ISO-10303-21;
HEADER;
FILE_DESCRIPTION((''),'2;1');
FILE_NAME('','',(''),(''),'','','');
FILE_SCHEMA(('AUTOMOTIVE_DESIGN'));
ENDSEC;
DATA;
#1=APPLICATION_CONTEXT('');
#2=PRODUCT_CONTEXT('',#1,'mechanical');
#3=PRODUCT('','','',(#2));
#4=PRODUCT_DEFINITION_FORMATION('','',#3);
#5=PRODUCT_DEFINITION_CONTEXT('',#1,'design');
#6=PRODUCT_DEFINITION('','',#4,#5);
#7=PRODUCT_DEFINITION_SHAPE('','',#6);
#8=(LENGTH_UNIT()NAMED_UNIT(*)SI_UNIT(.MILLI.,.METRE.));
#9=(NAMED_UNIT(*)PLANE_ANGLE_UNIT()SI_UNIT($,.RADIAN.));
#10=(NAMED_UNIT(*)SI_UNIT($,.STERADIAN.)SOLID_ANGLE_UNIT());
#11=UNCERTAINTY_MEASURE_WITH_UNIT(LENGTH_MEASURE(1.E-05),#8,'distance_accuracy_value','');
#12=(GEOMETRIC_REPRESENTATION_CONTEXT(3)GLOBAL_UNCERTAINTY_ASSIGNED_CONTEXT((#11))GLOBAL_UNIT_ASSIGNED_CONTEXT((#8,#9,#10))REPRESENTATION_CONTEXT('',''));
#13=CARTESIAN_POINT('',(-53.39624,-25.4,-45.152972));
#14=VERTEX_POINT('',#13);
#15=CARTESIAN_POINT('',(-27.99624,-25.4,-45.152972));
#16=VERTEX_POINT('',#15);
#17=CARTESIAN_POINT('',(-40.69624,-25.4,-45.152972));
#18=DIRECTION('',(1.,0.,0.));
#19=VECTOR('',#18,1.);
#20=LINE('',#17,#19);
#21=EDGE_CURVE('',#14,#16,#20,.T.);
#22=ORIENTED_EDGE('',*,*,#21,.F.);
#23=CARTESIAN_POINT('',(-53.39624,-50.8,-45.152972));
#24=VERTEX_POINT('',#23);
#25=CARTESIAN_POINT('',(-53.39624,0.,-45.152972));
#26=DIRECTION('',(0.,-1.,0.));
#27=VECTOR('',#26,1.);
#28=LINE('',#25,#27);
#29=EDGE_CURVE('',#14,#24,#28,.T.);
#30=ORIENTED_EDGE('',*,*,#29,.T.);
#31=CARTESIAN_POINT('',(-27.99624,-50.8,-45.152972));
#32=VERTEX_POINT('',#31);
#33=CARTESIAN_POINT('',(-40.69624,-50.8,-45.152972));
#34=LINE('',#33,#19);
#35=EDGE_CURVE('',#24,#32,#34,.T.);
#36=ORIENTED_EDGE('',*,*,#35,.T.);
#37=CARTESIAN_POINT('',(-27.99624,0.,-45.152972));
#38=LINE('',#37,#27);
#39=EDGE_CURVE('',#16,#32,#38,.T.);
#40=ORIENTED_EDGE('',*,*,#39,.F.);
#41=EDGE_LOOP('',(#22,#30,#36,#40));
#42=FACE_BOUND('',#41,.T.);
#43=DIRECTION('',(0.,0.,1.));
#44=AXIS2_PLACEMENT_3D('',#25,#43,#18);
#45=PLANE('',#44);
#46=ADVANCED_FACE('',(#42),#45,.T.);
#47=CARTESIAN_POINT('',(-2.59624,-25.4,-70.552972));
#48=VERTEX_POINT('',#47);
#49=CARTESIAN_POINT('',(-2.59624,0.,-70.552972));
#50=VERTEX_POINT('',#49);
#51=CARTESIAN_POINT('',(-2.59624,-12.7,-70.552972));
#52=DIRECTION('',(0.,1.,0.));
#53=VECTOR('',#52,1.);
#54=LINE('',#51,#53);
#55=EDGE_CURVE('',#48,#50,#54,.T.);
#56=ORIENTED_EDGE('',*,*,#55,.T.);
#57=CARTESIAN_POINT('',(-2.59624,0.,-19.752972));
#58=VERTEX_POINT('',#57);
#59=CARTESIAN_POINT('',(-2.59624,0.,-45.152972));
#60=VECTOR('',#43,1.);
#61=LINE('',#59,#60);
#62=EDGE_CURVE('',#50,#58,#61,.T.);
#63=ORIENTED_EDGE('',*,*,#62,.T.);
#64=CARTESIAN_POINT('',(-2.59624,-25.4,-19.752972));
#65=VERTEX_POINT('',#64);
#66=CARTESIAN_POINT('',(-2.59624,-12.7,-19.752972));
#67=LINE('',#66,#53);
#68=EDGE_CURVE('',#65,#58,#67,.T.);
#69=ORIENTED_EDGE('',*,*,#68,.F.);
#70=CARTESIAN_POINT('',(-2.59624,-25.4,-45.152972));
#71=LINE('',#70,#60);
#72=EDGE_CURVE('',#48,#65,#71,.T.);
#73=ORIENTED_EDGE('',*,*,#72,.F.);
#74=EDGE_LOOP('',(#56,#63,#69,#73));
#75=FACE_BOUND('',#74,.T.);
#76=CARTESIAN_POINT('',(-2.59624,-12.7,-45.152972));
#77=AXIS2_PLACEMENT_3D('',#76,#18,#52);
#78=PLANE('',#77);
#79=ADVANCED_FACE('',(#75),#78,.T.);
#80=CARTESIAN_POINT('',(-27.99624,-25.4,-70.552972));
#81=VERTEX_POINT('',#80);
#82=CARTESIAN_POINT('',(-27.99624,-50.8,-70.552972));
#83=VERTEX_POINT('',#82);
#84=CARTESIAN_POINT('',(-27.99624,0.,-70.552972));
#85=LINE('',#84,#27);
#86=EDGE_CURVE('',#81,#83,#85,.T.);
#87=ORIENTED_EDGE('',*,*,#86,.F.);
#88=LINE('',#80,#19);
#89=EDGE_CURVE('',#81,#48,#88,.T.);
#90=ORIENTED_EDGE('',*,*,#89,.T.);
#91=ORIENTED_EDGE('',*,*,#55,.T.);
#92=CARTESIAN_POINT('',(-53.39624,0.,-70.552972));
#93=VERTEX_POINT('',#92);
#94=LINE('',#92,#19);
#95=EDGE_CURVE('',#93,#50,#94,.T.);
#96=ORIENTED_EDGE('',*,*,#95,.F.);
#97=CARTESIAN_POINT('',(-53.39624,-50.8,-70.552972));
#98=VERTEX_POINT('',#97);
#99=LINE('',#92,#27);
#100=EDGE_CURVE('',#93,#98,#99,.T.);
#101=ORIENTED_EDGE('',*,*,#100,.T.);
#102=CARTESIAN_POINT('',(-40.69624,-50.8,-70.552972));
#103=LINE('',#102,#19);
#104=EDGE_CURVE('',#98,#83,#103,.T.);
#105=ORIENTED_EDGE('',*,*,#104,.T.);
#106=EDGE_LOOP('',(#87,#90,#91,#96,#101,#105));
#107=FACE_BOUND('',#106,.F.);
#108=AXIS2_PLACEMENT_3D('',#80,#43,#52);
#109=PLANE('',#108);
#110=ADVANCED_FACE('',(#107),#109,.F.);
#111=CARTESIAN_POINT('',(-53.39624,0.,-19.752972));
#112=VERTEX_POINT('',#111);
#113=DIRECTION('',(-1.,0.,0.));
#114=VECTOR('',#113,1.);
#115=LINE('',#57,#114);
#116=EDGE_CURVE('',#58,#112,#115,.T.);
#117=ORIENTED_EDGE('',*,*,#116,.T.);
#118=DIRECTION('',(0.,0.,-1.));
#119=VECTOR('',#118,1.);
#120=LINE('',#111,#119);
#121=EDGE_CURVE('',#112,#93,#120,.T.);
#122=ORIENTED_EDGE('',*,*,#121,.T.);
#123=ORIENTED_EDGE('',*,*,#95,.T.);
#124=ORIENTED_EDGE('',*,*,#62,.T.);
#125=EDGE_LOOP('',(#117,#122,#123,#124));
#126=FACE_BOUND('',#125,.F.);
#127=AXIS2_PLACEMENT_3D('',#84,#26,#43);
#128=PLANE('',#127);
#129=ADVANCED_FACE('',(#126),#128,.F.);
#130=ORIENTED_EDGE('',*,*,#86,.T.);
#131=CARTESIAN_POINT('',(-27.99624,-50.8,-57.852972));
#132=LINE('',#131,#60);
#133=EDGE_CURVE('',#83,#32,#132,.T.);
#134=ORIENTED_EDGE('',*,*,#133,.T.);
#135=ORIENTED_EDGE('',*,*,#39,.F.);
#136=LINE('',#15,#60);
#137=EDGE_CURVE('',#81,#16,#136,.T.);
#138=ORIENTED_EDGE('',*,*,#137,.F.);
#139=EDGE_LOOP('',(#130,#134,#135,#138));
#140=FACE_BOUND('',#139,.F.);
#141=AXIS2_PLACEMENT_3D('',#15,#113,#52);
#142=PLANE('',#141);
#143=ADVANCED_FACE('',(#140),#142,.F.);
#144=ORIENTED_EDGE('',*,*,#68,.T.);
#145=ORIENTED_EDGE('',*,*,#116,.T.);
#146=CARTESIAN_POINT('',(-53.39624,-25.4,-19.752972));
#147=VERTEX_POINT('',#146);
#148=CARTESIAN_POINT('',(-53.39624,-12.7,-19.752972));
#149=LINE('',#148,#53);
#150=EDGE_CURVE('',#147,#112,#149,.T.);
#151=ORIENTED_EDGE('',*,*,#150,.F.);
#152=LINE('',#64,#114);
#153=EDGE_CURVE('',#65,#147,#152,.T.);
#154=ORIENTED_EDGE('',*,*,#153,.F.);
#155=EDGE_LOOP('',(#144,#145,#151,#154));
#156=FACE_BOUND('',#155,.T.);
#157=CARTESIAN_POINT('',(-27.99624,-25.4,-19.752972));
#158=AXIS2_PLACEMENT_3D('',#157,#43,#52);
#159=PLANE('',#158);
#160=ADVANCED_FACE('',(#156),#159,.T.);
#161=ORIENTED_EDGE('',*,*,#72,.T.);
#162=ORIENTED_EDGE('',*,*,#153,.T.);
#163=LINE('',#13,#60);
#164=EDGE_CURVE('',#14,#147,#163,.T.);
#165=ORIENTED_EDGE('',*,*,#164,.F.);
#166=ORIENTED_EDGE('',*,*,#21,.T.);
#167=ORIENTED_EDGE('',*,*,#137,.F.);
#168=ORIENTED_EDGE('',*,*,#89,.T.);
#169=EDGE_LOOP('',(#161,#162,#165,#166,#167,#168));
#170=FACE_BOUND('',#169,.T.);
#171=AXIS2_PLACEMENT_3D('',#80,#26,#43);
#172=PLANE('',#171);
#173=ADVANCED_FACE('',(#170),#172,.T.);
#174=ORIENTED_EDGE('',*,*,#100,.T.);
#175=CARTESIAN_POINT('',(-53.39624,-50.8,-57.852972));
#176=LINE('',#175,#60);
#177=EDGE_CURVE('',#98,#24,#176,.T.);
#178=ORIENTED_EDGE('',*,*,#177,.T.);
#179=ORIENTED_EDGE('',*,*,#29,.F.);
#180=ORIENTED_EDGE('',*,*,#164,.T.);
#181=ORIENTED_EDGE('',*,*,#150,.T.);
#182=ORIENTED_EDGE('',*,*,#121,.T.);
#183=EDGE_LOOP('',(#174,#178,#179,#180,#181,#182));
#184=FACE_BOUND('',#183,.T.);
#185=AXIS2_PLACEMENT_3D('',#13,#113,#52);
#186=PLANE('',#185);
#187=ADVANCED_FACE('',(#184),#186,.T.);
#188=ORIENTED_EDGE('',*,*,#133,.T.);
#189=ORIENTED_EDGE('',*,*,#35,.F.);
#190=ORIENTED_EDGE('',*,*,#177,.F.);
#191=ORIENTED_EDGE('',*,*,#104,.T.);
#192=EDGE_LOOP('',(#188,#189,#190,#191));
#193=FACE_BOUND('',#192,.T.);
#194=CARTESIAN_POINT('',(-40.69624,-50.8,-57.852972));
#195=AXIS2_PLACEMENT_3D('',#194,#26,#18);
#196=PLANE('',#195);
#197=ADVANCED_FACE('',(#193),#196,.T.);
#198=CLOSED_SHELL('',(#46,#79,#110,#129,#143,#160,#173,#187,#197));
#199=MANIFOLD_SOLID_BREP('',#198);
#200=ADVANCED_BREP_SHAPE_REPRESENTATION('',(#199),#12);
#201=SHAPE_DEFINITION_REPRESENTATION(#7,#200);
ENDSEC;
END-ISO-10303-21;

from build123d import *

# Parameters (mm, degrees)
F0_W     = 25.4
F0_H     = 25.4
F1_DEPTH = 50.8
F2_W     = 25.4
F2_H     = 25.4
F3_DEPTH = 25.4
F4_W     = 25.4
F4_H     = 50.8
F5_DEPTH = 25.4


with BuildPart() as f1:
    # F0 (on Front) → F1 (new body)
    with BuildSketch(Plane.XZ):
        with Locations((-40.69624, -57.852972)):
            Rectangle(F0_W, F0_H)
    extrude(amount=F1_DEPTH)

    # F2 (on face) → F3 (join)
    with BuildSketch(Plane.XY.offset(-45.152972)):
        with Locations((-40.69624, -12.7)):
            Rectangle(F2_W, F2_H)
    extrude(amount=F3_DEPTH)

    # F4 (on face) → F5 (join)
    with BuildSketch(Plane.YZ.offset(-27.99624)):
        with Locations((-12.7, -45.152972)):
            Rectangle(F4_W, F4_H)
    extrude(amount=F5_DEPTH)


solid = f1.part
